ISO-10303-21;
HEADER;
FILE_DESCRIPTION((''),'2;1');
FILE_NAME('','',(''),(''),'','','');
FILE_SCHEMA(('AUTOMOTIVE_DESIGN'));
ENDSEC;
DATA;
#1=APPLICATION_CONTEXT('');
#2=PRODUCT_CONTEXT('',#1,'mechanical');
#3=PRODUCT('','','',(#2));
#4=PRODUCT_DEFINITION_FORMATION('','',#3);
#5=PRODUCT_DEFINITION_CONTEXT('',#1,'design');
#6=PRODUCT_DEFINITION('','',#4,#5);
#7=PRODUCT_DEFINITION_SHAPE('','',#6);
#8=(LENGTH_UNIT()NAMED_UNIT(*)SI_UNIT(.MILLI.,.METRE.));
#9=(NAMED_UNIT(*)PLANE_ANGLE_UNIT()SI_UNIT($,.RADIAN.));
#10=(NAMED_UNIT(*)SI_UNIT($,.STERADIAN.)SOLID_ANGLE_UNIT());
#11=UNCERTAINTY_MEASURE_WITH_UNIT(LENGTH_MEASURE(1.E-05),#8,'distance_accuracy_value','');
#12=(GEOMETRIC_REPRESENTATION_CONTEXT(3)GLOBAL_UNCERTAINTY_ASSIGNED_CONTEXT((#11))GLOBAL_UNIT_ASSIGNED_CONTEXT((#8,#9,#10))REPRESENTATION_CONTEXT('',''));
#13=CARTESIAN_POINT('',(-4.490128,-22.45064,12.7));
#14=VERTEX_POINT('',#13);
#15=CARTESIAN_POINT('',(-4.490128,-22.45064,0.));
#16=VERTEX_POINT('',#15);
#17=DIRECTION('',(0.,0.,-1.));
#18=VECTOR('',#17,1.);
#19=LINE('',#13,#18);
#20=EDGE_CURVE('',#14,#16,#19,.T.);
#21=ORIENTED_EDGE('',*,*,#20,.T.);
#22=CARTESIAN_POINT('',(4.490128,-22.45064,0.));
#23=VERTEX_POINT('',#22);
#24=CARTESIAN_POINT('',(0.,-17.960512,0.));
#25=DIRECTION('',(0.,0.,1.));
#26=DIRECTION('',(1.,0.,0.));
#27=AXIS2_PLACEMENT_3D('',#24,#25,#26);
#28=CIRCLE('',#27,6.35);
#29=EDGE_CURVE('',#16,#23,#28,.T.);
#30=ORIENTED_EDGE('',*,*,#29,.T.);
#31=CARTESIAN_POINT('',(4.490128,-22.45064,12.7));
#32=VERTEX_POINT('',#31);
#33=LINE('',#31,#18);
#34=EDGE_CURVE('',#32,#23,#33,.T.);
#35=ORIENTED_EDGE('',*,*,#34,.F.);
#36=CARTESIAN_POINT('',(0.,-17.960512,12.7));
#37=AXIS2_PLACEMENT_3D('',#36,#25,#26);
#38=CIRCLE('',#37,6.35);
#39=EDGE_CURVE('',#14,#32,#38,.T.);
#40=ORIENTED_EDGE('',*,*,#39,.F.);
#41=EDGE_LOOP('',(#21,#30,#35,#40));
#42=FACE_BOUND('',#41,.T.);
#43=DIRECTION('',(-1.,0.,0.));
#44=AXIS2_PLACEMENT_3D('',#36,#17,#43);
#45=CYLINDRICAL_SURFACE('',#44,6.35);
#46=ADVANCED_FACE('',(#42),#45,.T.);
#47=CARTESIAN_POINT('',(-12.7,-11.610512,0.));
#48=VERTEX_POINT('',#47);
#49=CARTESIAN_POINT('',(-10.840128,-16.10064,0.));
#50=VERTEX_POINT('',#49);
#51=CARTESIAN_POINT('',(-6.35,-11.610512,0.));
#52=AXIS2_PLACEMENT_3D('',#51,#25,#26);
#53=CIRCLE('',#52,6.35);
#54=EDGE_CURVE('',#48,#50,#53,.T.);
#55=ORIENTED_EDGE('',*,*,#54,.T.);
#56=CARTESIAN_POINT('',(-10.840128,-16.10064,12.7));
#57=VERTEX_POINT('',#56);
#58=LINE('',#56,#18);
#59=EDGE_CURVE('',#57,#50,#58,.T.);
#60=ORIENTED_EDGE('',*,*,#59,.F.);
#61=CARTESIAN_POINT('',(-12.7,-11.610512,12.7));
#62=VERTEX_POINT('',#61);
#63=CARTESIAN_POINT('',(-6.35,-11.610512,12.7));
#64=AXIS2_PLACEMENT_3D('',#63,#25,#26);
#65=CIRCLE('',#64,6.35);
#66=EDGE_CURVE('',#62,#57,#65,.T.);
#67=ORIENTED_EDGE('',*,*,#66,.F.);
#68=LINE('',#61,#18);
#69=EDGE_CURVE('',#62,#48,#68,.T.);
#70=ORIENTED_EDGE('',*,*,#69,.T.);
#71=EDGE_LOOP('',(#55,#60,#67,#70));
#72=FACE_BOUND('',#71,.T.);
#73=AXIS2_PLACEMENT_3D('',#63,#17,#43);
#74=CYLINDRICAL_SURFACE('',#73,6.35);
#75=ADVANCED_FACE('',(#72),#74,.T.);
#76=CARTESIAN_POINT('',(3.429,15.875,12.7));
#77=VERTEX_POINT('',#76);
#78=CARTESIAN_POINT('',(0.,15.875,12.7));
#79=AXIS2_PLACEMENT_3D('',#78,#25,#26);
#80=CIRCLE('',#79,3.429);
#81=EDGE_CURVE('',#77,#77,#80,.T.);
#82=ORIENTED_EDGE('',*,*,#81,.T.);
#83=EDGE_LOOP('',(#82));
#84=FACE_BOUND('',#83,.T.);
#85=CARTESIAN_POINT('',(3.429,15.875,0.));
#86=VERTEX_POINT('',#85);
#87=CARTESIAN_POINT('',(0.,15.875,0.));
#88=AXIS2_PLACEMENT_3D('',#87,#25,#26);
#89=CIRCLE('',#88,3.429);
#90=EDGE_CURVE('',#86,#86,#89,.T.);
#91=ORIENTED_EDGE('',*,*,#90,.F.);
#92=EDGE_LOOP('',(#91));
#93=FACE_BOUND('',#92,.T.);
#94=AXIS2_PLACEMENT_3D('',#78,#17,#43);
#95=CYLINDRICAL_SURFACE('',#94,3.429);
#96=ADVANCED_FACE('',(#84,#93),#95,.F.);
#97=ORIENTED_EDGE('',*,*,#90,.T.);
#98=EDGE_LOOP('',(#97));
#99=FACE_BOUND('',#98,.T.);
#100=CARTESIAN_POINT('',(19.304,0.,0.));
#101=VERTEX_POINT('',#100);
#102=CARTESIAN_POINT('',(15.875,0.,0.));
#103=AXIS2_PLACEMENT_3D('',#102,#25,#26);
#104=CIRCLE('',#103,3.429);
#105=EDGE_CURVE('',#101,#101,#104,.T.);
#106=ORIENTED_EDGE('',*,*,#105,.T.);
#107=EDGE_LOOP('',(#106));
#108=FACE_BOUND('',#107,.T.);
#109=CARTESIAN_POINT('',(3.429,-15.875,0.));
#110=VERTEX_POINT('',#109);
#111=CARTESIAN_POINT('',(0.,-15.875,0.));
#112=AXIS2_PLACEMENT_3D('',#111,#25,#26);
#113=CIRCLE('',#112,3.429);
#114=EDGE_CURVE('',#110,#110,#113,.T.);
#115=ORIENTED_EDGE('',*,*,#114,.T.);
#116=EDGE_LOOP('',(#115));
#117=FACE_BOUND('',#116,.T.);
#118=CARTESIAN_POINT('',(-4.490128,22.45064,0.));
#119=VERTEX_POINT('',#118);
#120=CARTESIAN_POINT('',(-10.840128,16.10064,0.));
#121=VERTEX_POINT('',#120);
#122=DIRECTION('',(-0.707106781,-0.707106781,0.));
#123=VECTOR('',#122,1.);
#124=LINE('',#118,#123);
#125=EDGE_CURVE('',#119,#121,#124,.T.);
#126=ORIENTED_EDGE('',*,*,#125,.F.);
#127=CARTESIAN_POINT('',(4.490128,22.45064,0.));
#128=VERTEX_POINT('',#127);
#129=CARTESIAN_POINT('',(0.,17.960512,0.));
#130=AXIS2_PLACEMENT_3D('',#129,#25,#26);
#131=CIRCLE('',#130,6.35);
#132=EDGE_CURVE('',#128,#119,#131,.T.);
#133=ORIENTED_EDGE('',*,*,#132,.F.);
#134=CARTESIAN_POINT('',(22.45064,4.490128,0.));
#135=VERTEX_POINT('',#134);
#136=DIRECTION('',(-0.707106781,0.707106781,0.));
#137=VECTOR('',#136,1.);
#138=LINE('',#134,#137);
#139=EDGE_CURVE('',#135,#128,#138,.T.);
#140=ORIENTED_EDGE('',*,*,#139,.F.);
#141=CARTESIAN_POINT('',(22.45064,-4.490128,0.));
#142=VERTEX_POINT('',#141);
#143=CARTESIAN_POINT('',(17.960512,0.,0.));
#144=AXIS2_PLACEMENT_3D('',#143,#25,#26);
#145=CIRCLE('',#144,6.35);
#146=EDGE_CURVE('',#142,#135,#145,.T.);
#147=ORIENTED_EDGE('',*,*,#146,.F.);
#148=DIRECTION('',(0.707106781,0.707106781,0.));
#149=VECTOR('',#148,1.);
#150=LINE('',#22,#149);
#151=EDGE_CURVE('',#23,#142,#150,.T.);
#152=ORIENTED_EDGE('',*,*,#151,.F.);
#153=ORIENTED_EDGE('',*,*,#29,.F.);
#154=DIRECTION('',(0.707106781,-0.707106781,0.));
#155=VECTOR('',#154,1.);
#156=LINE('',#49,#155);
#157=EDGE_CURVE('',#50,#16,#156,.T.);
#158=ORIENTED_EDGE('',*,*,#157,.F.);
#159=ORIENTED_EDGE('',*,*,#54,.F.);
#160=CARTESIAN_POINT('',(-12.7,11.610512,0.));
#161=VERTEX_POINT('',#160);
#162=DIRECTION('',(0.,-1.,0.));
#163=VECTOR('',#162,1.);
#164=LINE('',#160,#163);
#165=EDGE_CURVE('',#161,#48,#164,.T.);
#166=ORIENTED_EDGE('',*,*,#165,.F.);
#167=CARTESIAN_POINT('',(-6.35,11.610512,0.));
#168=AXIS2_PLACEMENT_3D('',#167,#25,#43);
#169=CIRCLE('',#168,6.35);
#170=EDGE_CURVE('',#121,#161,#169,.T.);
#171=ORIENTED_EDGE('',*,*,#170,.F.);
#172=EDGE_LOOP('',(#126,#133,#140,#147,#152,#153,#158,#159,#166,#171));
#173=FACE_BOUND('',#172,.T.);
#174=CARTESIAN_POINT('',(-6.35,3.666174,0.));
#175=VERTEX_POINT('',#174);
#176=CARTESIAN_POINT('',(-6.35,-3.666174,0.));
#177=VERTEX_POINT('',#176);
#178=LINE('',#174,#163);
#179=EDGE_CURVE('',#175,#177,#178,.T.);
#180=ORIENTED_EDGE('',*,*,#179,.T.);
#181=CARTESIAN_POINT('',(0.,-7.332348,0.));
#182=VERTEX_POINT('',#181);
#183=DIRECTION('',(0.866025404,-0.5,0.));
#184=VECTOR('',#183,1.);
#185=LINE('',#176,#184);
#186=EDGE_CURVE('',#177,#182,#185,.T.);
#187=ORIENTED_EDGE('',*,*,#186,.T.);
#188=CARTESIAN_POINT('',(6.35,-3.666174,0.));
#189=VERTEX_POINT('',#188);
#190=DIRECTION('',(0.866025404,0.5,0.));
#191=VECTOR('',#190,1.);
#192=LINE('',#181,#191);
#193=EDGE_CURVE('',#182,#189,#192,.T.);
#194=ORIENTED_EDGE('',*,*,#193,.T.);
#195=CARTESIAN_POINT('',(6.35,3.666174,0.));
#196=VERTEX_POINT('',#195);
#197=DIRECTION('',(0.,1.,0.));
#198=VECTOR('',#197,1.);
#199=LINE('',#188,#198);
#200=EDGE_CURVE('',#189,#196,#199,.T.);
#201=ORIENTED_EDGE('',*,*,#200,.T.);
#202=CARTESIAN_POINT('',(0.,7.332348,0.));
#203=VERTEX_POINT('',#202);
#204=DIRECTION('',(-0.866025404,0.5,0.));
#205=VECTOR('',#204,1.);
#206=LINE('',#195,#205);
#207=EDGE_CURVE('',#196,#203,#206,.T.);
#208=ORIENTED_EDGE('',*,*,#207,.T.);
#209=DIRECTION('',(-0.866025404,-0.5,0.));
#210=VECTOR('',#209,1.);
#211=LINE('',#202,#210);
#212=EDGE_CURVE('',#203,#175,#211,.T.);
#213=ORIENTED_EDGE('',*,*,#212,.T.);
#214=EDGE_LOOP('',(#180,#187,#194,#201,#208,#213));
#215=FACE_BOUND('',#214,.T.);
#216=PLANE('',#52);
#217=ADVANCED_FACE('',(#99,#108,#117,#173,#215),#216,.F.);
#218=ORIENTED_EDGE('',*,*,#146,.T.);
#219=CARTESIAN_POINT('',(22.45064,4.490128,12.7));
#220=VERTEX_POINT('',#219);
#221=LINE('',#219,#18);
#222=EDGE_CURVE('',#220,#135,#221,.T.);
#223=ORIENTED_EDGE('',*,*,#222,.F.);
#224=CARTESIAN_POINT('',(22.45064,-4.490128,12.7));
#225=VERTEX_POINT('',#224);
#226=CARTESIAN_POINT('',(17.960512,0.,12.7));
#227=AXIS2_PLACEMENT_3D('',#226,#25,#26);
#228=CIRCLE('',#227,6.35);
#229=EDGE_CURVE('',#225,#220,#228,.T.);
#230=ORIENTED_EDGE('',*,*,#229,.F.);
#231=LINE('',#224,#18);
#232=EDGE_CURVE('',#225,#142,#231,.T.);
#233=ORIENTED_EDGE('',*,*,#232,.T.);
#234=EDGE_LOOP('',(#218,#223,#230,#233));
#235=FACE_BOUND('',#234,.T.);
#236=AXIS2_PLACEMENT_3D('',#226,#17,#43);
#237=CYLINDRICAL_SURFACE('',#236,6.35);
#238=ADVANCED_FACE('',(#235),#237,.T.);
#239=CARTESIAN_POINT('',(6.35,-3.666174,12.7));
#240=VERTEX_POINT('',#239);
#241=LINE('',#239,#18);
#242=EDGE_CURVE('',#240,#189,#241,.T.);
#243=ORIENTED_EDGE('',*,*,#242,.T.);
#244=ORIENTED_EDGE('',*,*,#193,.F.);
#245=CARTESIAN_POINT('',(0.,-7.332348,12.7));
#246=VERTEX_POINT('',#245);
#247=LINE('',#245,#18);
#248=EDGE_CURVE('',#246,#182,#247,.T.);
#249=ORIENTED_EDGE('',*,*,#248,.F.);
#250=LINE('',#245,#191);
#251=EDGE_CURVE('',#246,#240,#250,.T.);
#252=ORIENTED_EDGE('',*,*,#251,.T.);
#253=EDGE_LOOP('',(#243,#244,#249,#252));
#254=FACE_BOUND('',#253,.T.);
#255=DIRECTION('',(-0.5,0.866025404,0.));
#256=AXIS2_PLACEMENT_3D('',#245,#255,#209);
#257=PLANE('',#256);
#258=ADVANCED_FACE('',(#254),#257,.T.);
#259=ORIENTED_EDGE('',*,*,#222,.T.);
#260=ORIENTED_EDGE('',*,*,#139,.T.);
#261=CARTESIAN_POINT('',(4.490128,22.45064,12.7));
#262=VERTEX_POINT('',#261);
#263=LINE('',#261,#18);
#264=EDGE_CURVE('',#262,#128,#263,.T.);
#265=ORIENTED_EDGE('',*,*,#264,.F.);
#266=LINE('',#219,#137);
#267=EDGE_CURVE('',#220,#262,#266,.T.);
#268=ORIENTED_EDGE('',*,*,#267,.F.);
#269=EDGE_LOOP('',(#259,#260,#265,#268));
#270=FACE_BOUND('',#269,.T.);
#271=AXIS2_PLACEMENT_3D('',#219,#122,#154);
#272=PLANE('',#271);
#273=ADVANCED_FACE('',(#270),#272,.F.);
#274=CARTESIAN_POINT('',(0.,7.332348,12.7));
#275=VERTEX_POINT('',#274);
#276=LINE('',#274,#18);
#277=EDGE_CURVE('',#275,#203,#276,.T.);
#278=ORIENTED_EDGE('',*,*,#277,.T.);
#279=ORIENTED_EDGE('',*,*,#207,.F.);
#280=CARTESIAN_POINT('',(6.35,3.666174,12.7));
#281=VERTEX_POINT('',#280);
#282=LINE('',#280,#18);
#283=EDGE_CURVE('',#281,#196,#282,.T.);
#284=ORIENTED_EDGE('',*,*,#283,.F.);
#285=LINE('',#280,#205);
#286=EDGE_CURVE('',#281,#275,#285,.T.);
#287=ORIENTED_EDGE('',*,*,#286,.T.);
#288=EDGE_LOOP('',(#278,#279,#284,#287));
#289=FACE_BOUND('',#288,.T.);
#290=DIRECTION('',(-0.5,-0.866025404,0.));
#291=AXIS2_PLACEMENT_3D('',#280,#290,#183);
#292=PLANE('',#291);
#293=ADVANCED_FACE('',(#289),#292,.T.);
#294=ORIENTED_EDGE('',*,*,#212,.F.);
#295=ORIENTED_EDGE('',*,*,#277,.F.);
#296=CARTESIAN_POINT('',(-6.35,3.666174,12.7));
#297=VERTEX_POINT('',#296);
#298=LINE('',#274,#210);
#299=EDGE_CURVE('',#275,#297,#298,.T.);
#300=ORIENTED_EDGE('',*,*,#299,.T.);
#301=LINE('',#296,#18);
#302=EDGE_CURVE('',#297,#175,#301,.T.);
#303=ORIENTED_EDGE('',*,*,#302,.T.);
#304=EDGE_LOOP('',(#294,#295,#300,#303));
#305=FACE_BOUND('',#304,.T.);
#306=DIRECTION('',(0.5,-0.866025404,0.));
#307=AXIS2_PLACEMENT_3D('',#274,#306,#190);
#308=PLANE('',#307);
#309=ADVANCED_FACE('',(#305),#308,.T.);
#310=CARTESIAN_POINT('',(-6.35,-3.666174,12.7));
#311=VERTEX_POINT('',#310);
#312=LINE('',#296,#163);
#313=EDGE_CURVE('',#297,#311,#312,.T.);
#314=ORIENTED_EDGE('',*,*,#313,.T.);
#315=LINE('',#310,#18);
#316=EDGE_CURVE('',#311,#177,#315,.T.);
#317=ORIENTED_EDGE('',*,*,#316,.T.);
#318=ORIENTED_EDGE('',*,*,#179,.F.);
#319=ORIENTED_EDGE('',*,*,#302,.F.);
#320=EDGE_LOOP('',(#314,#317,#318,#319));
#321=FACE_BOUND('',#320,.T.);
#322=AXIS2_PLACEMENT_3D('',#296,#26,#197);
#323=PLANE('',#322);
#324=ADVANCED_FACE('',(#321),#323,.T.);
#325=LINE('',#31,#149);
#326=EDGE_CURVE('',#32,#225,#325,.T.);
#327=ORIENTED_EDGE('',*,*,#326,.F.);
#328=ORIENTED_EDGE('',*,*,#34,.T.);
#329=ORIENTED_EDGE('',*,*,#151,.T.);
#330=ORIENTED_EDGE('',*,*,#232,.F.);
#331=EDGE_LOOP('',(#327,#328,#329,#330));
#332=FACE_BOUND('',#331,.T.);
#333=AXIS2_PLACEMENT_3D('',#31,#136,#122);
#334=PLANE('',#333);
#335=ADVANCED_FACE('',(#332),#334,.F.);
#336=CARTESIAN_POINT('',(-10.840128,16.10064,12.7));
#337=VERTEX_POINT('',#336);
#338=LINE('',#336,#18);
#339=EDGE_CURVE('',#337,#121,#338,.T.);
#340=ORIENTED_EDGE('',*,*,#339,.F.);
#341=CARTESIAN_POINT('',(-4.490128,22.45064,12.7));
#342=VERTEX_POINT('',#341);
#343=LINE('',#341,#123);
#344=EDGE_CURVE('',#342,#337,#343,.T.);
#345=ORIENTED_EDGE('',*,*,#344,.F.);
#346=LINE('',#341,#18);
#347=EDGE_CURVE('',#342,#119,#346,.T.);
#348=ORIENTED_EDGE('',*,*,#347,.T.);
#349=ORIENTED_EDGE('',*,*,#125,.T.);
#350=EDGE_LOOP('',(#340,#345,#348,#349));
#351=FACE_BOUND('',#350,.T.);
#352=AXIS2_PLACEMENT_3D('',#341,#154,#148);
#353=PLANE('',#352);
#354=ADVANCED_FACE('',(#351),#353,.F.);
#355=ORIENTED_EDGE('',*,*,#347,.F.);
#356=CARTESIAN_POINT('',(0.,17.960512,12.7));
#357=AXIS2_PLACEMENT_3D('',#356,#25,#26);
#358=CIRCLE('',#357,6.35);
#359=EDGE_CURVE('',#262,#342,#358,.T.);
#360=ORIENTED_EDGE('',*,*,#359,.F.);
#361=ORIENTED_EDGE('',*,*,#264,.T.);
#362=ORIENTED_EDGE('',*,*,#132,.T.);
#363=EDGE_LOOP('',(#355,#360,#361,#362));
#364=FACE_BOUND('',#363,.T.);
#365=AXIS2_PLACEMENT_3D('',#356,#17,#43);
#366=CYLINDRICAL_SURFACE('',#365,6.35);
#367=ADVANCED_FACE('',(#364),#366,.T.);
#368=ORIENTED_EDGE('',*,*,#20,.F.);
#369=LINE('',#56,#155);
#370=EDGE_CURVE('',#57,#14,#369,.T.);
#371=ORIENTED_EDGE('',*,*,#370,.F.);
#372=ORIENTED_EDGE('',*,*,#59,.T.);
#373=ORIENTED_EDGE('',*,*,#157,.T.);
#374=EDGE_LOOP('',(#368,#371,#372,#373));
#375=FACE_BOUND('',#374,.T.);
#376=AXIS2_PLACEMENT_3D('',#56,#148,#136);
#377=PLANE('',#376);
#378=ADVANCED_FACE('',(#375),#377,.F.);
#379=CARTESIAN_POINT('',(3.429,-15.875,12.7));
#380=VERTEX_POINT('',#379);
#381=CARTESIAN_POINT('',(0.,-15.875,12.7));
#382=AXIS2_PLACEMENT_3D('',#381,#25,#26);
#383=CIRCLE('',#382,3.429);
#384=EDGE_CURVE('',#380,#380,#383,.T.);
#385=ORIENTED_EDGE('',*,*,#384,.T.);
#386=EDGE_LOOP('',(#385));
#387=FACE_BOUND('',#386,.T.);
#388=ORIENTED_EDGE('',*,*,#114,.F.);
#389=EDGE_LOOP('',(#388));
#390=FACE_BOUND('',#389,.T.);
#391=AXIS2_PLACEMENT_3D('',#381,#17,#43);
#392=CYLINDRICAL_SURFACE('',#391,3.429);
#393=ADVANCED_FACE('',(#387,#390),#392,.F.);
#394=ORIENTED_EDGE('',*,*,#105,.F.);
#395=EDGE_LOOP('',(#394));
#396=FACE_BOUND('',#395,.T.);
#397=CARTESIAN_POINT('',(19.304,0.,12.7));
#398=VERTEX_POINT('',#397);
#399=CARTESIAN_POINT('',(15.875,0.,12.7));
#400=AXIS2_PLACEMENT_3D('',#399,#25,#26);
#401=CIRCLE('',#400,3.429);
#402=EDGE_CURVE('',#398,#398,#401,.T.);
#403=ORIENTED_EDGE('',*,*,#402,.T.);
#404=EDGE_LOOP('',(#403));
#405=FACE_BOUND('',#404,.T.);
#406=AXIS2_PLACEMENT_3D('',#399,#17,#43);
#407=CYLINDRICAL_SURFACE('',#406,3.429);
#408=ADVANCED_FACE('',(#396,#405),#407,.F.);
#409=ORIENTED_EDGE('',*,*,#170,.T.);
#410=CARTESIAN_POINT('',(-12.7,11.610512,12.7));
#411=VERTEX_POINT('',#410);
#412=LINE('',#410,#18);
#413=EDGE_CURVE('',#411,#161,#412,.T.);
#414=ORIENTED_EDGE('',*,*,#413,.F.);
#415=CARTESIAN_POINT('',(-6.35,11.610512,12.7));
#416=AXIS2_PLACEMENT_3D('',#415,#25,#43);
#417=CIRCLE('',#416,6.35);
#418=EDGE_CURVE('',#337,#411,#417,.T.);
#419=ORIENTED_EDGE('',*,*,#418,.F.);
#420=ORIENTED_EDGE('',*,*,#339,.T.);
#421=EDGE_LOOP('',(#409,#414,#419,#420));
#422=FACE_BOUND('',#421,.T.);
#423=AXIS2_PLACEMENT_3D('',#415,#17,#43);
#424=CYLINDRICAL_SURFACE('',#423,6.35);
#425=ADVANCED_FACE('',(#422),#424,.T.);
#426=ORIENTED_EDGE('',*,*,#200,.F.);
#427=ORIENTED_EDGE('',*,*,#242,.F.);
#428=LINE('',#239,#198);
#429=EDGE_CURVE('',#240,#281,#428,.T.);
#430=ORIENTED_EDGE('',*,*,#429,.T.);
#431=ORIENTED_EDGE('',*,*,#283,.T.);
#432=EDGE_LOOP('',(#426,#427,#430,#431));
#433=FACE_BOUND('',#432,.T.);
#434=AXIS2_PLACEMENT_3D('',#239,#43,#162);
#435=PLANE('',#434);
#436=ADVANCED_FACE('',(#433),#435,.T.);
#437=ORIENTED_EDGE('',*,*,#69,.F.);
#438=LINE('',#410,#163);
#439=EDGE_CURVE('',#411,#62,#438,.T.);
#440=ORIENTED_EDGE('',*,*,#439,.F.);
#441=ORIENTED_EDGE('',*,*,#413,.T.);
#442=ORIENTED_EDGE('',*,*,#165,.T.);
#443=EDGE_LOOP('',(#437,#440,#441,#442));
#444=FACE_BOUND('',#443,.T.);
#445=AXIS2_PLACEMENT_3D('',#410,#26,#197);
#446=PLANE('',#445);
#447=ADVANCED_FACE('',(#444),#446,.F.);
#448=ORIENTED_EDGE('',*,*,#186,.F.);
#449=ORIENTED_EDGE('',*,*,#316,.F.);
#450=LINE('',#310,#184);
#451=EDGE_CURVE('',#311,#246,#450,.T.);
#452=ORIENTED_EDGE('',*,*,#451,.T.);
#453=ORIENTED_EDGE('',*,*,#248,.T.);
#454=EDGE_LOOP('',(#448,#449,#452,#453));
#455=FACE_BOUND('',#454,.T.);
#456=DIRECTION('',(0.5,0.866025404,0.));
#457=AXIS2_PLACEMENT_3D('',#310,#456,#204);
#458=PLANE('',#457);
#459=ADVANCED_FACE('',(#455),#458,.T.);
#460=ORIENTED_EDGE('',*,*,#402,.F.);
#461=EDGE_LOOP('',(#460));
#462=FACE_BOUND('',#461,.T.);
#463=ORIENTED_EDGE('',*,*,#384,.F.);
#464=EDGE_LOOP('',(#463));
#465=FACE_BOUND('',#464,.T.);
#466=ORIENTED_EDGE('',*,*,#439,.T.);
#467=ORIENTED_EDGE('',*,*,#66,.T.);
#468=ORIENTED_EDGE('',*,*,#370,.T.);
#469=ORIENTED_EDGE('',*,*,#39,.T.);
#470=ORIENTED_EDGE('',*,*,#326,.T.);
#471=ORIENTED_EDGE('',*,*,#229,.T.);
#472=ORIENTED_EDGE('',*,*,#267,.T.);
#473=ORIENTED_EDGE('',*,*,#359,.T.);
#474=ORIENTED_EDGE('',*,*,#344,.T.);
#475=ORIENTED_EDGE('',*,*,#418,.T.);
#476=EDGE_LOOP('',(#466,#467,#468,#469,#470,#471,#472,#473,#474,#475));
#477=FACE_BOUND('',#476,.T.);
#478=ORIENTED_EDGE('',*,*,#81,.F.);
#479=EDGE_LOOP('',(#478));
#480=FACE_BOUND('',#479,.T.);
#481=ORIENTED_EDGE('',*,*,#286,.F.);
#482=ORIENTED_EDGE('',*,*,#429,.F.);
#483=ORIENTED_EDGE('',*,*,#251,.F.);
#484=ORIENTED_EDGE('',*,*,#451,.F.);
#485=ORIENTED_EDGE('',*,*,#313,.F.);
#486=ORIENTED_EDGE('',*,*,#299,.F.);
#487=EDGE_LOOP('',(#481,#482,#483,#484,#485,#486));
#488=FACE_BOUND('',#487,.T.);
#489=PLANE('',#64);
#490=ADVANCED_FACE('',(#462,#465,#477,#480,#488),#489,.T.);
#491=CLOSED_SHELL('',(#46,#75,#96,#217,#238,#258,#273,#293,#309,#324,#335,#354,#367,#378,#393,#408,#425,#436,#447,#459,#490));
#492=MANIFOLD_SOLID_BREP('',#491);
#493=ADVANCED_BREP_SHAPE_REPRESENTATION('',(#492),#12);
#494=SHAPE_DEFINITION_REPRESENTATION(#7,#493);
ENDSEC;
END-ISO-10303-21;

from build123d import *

# Parameters (mm, degrees)
SKETCH2_R           = 3.429
BOSS_EXTRUDE1_DEPTH = 12.7


with BuildPart() as part:
    # Sketch2 → Boss-Extrude1 (new body)
    with BuildSketch(Plane.XY):
        with BuildLine():
            Line((-4.490128061, 22.450640303), (-10.840128061, 16.100640303))
            ThreePointArc((-10.840128061, 16.100640303), (-12.216635031, 14.040552038), (-12.7, 11.610512242))
            Line((-12.7, 11.610512242), (-12.7, -11.610512242))
            ThreePointArc((-12.7, -11.610512242), (-12.216635031, -14.040552038), (-10.840128061, -16.100640303))
            Line((-10.840128061, -16.100640303), (-4.490128061, -22.450640303))
            ThreePointArc((-4.490128061, -22.450640303), (0, -24.310512242), (4.490128061, -22.450640303))
            Line((4.490128061, -22.450640303), (22.450640303, -4.490128061))
            ThreePointArc((22.450640303, -4.490128061), (24.310512242, 0), (22.450640303, 4.490128061))
            Line((22.450640303, 4.490128061), (4.490128061, 22.450640303))
            ThreePointArc((4.490128061, 22.450640303), (0, 24.310512242), (-4.490128061, 22.450640303))
        make_face()
        with Locations((0, 15.875)):
            Circle(SKETCH2_R, mode=Mode.SUBTRACT)
        with Locations((15.875, 0)):
            Circle(SKETCH2_R, mode=Mode.SUBTRACT)
        with Locations((0, -15.875)):
            Circle(SKETCH2_R, mode=Mode.SUBTRACT)
        Polygon((6.35, 3.666174209), (0, 7.332348419), (-6.35, 3.666174209), (-6.35, -3.666174209), (0, -7.332348419), (6.35, -3.666174209), align=None, mode=Mode.SUBTRACT)
    extrude(amount=BOSS_EXTRUDE1_DEPTH)


solid = part.part
